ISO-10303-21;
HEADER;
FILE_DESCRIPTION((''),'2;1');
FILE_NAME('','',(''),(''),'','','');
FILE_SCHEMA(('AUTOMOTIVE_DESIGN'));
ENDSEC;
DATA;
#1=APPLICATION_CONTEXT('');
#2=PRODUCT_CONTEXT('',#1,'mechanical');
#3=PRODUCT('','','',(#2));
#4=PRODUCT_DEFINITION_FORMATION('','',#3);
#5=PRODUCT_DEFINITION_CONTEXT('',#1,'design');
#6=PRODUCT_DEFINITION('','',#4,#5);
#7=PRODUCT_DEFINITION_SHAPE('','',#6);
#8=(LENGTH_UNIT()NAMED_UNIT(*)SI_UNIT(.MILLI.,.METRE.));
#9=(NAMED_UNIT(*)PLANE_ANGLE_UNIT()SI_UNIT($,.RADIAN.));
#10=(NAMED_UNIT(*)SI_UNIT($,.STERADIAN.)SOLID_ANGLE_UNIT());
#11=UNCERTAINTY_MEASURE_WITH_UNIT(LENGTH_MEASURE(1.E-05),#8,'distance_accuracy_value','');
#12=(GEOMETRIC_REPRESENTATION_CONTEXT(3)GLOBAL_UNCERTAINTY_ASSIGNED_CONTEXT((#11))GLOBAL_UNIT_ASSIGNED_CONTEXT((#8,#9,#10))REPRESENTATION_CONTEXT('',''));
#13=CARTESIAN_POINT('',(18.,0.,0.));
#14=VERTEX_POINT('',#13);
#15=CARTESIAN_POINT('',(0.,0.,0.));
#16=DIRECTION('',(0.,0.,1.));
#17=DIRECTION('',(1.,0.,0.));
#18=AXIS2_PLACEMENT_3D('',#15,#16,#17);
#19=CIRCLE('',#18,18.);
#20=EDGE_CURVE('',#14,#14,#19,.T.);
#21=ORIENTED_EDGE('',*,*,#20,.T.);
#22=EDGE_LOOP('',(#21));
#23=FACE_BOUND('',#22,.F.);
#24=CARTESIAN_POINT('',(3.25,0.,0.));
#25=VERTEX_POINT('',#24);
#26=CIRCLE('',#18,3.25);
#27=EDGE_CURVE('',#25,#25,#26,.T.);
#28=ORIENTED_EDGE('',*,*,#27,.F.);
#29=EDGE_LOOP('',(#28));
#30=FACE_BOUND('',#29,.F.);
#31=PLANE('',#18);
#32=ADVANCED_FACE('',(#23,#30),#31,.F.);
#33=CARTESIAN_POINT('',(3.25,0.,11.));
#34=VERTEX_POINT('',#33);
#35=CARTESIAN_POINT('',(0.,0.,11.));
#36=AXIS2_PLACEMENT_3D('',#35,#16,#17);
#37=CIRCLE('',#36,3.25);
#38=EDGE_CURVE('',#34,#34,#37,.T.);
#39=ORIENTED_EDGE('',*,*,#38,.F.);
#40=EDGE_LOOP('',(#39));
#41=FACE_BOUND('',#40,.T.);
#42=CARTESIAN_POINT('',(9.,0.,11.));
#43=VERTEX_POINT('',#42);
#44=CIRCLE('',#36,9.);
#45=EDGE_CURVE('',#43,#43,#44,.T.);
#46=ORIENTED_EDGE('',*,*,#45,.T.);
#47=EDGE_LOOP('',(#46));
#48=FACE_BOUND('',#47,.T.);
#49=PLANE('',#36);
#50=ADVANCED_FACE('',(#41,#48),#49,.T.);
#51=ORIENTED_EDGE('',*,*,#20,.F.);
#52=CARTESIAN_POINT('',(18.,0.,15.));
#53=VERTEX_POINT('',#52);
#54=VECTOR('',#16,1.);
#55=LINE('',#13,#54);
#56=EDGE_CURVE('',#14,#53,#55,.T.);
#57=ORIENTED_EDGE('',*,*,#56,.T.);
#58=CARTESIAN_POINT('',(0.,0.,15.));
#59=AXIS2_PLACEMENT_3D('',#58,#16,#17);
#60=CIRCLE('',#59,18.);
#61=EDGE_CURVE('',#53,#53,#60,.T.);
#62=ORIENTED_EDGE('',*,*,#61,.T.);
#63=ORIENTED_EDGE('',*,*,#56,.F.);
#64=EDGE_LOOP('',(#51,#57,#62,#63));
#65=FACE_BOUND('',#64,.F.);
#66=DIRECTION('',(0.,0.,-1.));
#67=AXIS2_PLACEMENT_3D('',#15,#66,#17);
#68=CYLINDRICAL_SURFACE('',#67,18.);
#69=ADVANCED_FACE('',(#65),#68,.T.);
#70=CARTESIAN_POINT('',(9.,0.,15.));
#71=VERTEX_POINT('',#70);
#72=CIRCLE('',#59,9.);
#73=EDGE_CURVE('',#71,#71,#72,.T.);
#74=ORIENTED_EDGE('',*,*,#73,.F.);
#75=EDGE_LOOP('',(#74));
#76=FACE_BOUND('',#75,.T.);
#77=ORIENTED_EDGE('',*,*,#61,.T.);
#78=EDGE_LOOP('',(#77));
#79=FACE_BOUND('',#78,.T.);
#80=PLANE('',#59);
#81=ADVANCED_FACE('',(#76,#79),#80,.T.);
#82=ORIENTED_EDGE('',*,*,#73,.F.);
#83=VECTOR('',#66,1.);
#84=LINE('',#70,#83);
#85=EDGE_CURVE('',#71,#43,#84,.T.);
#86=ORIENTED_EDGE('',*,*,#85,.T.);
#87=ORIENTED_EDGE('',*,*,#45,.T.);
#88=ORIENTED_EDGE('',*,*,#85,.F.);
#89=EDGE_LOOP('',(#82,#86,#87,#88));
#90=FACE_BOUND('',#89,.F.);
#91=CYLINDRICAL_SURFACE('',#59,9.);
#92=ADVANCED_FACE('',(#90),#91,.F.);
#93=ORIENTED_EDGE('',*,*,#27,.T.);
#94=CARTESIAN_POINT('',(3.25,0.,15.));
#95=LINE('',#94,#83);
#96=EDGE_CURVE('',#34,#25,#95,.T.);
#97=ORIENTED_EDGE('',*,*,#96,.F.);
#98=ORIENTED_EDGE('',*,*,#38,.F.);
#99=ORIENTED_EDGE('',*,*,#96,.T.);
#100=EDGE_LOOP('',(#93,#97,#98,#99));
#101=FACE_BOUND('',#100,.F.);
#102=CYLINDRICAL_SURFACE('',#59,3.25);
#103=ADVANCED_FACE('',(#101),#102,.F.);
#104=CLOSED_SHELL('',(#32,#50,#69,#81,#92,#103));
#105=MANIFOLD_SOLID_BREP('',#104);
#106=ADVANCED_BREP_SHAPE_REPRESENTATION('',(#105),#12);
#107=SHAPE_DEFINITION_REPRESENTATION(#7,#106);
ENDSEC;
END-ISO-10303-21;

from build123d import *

# Parameters (mm, degrees)
F0_R     = 18
F1_DEPTH = 15
F2_R     = 9
F2_R_2   = 3.25
F3_DEPTH = 4
F4_DEPTH = 25


with BuildPart() as f1:
    # F0 (on Top) → F1 (new body)
    with BuildSketch(Plane.XY):
        Circle(F0_R)
    extrude(amount=F1_DEPTH)

    # F2 (on face) → F3 (cut)
    with BuildSketch(Plane.XY.offset(15)):
        Circle(F2_R)
        Circle(F2_R_2, mode=Mode.SUBTRACT)
    extrude(amount=-F3_DEPTH, mode=Mode.SUBTRACT)

    # F2 (on face) → F4 (cut)
    with BuildSketch(Plane.XY.offset(15)):
        Circle(F2_R_2)
    extrude(amount=-F4_DEPTH, mode=Mode.SUBTRACT)


solid = f1.part
